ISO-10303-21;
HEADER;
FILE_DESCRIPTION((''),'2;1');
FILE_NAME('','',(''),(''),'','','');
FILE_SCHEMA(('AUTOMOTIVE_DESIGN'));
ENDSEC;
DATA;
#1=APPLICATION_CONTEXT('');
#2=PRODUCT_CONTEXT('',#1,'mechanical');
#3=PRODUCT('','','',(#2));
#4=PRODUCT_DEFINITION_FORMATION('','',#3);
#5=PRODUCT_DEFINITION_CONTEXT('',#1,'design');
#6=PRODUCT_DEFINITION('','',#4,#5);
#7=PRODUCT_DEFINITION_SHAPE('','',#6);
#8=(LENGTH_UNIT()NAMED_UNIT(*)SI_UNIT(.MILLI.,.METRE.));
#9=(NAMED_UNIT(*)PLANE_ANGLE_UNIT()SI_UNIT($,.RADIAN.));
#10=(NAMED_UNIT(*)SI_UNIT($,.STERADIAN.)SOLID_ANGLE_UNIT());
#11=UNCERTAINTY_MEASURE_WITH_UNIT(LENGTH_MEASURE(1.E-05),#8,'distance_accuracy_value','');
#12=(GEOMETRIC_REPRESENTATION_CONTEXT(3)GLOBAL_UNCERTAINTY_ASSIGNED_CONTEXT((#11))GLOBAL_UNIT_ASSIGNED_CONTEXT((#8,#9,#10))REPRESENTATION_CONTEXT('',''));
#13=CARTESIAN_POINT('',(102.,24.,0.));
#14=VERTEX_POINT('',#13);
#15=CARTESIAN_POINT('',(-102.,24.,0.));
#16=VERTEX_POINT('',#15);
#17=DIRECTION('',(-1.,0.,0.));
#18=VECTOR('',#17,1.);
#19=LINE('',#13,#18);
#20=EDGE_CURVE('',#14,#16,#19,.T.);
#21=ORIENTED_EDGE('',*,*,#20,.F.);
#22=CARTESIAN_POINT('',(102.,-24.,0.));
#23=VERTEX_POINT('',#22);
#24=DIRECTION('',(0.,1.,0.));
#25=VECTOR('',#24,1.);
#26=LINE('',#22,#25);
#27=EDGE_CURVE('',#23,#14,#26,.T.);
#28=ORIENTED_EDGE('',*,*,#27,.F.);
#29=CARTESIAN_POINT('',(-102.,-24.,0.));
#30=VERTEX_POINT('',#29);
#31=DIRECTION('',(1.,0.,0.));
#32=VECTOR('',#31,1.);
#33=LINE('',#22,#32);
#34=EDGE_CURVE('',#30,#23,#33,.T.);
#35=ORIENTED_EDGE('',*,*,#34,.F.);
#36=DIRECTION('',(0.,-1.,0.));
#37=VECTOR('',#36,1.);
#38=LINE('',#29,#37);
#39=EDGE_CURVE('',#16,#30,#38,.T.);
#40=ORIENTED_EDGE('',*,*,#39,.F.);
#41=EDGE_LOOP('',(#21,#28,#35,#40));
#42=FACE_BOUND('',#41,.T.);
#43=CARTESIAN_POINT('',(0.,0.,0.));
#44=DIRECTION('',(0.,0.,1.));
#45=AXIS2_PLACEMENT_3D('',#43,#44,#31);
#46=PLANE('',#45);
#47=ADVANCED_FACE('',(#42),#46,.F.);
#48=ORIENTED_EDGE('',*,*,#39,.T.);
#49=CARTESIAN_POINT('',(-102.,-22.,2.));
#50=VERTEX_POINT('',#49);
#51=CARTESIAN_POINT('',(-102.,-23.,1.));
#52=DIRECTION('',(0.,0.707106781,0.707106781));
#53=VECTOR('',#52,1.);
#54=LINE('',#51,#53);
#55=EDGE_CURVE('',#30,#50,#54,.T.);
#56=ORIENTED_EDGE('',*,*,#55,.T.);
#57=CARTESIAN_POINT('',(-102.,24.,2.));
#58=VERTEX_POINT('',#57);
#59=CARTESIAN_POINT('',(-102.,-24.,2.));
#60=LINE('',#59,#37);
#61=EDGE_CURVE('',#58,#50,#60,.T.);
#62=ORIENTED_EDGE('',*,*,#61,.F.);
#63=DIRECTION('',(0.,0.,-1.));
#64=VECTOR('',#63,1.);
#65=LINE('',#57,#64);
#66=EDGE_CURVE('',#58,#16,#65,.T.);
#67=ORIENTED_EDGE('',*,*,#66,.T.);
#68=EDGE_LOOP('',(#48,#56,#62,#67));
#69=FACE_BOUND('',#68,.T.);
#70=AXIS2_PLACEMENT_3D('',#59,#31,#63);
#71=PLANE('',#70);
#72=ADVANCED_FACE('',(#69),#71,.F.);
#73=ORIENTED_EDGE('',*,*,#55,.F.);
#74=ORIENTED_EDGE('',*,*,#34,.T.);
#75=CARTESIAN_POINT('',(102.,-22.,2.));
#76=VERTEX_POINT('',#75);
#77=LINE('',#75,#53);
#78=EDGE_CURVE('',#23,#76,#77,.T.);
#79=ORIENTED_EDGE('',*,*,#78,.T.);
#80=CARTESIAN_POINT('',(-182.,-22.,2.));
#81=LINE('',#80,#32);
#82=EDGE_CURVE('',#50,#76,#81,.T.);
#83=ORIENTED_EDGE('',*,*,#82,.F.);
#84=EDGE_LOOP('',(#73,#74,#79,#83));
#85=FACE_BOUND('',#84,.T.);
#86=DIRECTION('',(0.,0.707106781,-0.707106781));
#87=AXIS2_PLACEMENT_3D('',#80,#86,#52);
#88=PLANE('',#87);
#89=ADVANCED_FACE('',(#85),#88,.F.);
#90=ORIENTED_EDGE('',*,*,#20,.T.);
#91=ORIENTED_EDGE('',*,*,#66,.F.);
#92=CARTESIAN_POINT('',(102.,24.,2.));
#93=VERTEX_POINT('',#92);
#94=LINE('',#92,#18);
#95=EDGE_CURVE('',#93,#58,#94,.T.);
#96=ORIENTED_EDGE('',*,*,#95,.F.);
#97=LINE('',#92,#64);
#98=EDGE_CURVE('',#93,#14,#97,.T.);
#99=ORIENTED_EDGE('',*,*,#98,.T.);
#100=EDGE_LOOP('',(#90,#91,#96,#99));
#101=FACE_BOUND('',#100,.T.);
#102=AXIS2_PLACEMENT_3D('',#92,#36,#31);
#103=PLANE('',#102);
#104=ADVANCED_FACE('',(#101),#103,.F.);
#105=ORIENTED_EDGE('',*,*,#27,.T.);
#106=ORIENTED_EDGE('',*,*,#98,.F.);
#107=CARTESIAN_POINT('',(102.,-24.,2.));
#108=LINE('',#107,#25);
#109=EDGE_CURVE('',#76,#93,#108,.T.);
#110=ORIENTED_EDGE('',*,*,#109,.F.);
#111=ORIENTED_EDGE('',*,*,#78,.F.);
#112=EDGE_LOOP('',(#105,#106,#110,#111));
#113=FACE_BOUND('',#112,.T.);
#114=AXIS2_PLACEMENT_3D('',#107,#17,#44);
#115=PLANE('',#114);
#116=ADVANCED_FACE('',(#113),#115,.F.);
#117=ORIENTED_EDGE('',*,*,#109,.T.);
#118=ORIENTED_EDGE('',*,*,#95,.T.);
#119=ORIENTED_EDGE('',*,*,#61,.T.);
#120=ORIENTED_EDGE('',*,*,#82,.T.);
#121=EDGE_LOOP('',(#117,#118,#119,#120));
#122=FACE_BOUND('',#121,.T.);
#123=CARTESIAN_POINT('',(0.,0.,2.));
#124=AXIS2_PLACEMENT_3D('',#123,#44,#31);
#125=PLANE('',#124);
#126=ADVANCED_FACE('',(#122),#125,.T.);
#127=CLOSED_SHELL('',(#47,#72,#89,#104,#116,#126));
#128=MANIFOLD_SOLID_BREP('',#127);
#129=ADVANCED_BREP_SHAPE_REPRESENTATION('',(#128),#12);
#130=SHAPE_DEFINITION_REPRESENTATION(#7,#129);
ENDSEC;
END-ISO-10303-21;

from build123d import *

# Parameters (mm, degrees)
SKETCH_1_W          = 204
SKETCH_1_H          = 48
EXTRUDE_1_DEPTH     = 2
CUT_EXTRUDE_1_DEPTH = 284


with BuildPart() as part:
    # 草图1 → 凸台-拉伸1 (new body)
    with BuildSketch(Plane.XY):
        Rectangle(SKETCH_1_W, SKETCH_1_H)
    extrude(amount=EXTRUDE_1_DEPTH)

    # 草图2 → 切除-拉伸1 (cut)
    with BuildSketch(Plane(origin=(102, 0, 0), x_dir=(0, 0, -1), z_dir=(1, 0, 0))):
        Polygon((0, -24), (-2, -24), (-2, -22), align=None)
    extrude(amount=-CUT_EXTRUDE_1_DEPTH, mode=Mode.SUBTRACT)


solid = part.part
